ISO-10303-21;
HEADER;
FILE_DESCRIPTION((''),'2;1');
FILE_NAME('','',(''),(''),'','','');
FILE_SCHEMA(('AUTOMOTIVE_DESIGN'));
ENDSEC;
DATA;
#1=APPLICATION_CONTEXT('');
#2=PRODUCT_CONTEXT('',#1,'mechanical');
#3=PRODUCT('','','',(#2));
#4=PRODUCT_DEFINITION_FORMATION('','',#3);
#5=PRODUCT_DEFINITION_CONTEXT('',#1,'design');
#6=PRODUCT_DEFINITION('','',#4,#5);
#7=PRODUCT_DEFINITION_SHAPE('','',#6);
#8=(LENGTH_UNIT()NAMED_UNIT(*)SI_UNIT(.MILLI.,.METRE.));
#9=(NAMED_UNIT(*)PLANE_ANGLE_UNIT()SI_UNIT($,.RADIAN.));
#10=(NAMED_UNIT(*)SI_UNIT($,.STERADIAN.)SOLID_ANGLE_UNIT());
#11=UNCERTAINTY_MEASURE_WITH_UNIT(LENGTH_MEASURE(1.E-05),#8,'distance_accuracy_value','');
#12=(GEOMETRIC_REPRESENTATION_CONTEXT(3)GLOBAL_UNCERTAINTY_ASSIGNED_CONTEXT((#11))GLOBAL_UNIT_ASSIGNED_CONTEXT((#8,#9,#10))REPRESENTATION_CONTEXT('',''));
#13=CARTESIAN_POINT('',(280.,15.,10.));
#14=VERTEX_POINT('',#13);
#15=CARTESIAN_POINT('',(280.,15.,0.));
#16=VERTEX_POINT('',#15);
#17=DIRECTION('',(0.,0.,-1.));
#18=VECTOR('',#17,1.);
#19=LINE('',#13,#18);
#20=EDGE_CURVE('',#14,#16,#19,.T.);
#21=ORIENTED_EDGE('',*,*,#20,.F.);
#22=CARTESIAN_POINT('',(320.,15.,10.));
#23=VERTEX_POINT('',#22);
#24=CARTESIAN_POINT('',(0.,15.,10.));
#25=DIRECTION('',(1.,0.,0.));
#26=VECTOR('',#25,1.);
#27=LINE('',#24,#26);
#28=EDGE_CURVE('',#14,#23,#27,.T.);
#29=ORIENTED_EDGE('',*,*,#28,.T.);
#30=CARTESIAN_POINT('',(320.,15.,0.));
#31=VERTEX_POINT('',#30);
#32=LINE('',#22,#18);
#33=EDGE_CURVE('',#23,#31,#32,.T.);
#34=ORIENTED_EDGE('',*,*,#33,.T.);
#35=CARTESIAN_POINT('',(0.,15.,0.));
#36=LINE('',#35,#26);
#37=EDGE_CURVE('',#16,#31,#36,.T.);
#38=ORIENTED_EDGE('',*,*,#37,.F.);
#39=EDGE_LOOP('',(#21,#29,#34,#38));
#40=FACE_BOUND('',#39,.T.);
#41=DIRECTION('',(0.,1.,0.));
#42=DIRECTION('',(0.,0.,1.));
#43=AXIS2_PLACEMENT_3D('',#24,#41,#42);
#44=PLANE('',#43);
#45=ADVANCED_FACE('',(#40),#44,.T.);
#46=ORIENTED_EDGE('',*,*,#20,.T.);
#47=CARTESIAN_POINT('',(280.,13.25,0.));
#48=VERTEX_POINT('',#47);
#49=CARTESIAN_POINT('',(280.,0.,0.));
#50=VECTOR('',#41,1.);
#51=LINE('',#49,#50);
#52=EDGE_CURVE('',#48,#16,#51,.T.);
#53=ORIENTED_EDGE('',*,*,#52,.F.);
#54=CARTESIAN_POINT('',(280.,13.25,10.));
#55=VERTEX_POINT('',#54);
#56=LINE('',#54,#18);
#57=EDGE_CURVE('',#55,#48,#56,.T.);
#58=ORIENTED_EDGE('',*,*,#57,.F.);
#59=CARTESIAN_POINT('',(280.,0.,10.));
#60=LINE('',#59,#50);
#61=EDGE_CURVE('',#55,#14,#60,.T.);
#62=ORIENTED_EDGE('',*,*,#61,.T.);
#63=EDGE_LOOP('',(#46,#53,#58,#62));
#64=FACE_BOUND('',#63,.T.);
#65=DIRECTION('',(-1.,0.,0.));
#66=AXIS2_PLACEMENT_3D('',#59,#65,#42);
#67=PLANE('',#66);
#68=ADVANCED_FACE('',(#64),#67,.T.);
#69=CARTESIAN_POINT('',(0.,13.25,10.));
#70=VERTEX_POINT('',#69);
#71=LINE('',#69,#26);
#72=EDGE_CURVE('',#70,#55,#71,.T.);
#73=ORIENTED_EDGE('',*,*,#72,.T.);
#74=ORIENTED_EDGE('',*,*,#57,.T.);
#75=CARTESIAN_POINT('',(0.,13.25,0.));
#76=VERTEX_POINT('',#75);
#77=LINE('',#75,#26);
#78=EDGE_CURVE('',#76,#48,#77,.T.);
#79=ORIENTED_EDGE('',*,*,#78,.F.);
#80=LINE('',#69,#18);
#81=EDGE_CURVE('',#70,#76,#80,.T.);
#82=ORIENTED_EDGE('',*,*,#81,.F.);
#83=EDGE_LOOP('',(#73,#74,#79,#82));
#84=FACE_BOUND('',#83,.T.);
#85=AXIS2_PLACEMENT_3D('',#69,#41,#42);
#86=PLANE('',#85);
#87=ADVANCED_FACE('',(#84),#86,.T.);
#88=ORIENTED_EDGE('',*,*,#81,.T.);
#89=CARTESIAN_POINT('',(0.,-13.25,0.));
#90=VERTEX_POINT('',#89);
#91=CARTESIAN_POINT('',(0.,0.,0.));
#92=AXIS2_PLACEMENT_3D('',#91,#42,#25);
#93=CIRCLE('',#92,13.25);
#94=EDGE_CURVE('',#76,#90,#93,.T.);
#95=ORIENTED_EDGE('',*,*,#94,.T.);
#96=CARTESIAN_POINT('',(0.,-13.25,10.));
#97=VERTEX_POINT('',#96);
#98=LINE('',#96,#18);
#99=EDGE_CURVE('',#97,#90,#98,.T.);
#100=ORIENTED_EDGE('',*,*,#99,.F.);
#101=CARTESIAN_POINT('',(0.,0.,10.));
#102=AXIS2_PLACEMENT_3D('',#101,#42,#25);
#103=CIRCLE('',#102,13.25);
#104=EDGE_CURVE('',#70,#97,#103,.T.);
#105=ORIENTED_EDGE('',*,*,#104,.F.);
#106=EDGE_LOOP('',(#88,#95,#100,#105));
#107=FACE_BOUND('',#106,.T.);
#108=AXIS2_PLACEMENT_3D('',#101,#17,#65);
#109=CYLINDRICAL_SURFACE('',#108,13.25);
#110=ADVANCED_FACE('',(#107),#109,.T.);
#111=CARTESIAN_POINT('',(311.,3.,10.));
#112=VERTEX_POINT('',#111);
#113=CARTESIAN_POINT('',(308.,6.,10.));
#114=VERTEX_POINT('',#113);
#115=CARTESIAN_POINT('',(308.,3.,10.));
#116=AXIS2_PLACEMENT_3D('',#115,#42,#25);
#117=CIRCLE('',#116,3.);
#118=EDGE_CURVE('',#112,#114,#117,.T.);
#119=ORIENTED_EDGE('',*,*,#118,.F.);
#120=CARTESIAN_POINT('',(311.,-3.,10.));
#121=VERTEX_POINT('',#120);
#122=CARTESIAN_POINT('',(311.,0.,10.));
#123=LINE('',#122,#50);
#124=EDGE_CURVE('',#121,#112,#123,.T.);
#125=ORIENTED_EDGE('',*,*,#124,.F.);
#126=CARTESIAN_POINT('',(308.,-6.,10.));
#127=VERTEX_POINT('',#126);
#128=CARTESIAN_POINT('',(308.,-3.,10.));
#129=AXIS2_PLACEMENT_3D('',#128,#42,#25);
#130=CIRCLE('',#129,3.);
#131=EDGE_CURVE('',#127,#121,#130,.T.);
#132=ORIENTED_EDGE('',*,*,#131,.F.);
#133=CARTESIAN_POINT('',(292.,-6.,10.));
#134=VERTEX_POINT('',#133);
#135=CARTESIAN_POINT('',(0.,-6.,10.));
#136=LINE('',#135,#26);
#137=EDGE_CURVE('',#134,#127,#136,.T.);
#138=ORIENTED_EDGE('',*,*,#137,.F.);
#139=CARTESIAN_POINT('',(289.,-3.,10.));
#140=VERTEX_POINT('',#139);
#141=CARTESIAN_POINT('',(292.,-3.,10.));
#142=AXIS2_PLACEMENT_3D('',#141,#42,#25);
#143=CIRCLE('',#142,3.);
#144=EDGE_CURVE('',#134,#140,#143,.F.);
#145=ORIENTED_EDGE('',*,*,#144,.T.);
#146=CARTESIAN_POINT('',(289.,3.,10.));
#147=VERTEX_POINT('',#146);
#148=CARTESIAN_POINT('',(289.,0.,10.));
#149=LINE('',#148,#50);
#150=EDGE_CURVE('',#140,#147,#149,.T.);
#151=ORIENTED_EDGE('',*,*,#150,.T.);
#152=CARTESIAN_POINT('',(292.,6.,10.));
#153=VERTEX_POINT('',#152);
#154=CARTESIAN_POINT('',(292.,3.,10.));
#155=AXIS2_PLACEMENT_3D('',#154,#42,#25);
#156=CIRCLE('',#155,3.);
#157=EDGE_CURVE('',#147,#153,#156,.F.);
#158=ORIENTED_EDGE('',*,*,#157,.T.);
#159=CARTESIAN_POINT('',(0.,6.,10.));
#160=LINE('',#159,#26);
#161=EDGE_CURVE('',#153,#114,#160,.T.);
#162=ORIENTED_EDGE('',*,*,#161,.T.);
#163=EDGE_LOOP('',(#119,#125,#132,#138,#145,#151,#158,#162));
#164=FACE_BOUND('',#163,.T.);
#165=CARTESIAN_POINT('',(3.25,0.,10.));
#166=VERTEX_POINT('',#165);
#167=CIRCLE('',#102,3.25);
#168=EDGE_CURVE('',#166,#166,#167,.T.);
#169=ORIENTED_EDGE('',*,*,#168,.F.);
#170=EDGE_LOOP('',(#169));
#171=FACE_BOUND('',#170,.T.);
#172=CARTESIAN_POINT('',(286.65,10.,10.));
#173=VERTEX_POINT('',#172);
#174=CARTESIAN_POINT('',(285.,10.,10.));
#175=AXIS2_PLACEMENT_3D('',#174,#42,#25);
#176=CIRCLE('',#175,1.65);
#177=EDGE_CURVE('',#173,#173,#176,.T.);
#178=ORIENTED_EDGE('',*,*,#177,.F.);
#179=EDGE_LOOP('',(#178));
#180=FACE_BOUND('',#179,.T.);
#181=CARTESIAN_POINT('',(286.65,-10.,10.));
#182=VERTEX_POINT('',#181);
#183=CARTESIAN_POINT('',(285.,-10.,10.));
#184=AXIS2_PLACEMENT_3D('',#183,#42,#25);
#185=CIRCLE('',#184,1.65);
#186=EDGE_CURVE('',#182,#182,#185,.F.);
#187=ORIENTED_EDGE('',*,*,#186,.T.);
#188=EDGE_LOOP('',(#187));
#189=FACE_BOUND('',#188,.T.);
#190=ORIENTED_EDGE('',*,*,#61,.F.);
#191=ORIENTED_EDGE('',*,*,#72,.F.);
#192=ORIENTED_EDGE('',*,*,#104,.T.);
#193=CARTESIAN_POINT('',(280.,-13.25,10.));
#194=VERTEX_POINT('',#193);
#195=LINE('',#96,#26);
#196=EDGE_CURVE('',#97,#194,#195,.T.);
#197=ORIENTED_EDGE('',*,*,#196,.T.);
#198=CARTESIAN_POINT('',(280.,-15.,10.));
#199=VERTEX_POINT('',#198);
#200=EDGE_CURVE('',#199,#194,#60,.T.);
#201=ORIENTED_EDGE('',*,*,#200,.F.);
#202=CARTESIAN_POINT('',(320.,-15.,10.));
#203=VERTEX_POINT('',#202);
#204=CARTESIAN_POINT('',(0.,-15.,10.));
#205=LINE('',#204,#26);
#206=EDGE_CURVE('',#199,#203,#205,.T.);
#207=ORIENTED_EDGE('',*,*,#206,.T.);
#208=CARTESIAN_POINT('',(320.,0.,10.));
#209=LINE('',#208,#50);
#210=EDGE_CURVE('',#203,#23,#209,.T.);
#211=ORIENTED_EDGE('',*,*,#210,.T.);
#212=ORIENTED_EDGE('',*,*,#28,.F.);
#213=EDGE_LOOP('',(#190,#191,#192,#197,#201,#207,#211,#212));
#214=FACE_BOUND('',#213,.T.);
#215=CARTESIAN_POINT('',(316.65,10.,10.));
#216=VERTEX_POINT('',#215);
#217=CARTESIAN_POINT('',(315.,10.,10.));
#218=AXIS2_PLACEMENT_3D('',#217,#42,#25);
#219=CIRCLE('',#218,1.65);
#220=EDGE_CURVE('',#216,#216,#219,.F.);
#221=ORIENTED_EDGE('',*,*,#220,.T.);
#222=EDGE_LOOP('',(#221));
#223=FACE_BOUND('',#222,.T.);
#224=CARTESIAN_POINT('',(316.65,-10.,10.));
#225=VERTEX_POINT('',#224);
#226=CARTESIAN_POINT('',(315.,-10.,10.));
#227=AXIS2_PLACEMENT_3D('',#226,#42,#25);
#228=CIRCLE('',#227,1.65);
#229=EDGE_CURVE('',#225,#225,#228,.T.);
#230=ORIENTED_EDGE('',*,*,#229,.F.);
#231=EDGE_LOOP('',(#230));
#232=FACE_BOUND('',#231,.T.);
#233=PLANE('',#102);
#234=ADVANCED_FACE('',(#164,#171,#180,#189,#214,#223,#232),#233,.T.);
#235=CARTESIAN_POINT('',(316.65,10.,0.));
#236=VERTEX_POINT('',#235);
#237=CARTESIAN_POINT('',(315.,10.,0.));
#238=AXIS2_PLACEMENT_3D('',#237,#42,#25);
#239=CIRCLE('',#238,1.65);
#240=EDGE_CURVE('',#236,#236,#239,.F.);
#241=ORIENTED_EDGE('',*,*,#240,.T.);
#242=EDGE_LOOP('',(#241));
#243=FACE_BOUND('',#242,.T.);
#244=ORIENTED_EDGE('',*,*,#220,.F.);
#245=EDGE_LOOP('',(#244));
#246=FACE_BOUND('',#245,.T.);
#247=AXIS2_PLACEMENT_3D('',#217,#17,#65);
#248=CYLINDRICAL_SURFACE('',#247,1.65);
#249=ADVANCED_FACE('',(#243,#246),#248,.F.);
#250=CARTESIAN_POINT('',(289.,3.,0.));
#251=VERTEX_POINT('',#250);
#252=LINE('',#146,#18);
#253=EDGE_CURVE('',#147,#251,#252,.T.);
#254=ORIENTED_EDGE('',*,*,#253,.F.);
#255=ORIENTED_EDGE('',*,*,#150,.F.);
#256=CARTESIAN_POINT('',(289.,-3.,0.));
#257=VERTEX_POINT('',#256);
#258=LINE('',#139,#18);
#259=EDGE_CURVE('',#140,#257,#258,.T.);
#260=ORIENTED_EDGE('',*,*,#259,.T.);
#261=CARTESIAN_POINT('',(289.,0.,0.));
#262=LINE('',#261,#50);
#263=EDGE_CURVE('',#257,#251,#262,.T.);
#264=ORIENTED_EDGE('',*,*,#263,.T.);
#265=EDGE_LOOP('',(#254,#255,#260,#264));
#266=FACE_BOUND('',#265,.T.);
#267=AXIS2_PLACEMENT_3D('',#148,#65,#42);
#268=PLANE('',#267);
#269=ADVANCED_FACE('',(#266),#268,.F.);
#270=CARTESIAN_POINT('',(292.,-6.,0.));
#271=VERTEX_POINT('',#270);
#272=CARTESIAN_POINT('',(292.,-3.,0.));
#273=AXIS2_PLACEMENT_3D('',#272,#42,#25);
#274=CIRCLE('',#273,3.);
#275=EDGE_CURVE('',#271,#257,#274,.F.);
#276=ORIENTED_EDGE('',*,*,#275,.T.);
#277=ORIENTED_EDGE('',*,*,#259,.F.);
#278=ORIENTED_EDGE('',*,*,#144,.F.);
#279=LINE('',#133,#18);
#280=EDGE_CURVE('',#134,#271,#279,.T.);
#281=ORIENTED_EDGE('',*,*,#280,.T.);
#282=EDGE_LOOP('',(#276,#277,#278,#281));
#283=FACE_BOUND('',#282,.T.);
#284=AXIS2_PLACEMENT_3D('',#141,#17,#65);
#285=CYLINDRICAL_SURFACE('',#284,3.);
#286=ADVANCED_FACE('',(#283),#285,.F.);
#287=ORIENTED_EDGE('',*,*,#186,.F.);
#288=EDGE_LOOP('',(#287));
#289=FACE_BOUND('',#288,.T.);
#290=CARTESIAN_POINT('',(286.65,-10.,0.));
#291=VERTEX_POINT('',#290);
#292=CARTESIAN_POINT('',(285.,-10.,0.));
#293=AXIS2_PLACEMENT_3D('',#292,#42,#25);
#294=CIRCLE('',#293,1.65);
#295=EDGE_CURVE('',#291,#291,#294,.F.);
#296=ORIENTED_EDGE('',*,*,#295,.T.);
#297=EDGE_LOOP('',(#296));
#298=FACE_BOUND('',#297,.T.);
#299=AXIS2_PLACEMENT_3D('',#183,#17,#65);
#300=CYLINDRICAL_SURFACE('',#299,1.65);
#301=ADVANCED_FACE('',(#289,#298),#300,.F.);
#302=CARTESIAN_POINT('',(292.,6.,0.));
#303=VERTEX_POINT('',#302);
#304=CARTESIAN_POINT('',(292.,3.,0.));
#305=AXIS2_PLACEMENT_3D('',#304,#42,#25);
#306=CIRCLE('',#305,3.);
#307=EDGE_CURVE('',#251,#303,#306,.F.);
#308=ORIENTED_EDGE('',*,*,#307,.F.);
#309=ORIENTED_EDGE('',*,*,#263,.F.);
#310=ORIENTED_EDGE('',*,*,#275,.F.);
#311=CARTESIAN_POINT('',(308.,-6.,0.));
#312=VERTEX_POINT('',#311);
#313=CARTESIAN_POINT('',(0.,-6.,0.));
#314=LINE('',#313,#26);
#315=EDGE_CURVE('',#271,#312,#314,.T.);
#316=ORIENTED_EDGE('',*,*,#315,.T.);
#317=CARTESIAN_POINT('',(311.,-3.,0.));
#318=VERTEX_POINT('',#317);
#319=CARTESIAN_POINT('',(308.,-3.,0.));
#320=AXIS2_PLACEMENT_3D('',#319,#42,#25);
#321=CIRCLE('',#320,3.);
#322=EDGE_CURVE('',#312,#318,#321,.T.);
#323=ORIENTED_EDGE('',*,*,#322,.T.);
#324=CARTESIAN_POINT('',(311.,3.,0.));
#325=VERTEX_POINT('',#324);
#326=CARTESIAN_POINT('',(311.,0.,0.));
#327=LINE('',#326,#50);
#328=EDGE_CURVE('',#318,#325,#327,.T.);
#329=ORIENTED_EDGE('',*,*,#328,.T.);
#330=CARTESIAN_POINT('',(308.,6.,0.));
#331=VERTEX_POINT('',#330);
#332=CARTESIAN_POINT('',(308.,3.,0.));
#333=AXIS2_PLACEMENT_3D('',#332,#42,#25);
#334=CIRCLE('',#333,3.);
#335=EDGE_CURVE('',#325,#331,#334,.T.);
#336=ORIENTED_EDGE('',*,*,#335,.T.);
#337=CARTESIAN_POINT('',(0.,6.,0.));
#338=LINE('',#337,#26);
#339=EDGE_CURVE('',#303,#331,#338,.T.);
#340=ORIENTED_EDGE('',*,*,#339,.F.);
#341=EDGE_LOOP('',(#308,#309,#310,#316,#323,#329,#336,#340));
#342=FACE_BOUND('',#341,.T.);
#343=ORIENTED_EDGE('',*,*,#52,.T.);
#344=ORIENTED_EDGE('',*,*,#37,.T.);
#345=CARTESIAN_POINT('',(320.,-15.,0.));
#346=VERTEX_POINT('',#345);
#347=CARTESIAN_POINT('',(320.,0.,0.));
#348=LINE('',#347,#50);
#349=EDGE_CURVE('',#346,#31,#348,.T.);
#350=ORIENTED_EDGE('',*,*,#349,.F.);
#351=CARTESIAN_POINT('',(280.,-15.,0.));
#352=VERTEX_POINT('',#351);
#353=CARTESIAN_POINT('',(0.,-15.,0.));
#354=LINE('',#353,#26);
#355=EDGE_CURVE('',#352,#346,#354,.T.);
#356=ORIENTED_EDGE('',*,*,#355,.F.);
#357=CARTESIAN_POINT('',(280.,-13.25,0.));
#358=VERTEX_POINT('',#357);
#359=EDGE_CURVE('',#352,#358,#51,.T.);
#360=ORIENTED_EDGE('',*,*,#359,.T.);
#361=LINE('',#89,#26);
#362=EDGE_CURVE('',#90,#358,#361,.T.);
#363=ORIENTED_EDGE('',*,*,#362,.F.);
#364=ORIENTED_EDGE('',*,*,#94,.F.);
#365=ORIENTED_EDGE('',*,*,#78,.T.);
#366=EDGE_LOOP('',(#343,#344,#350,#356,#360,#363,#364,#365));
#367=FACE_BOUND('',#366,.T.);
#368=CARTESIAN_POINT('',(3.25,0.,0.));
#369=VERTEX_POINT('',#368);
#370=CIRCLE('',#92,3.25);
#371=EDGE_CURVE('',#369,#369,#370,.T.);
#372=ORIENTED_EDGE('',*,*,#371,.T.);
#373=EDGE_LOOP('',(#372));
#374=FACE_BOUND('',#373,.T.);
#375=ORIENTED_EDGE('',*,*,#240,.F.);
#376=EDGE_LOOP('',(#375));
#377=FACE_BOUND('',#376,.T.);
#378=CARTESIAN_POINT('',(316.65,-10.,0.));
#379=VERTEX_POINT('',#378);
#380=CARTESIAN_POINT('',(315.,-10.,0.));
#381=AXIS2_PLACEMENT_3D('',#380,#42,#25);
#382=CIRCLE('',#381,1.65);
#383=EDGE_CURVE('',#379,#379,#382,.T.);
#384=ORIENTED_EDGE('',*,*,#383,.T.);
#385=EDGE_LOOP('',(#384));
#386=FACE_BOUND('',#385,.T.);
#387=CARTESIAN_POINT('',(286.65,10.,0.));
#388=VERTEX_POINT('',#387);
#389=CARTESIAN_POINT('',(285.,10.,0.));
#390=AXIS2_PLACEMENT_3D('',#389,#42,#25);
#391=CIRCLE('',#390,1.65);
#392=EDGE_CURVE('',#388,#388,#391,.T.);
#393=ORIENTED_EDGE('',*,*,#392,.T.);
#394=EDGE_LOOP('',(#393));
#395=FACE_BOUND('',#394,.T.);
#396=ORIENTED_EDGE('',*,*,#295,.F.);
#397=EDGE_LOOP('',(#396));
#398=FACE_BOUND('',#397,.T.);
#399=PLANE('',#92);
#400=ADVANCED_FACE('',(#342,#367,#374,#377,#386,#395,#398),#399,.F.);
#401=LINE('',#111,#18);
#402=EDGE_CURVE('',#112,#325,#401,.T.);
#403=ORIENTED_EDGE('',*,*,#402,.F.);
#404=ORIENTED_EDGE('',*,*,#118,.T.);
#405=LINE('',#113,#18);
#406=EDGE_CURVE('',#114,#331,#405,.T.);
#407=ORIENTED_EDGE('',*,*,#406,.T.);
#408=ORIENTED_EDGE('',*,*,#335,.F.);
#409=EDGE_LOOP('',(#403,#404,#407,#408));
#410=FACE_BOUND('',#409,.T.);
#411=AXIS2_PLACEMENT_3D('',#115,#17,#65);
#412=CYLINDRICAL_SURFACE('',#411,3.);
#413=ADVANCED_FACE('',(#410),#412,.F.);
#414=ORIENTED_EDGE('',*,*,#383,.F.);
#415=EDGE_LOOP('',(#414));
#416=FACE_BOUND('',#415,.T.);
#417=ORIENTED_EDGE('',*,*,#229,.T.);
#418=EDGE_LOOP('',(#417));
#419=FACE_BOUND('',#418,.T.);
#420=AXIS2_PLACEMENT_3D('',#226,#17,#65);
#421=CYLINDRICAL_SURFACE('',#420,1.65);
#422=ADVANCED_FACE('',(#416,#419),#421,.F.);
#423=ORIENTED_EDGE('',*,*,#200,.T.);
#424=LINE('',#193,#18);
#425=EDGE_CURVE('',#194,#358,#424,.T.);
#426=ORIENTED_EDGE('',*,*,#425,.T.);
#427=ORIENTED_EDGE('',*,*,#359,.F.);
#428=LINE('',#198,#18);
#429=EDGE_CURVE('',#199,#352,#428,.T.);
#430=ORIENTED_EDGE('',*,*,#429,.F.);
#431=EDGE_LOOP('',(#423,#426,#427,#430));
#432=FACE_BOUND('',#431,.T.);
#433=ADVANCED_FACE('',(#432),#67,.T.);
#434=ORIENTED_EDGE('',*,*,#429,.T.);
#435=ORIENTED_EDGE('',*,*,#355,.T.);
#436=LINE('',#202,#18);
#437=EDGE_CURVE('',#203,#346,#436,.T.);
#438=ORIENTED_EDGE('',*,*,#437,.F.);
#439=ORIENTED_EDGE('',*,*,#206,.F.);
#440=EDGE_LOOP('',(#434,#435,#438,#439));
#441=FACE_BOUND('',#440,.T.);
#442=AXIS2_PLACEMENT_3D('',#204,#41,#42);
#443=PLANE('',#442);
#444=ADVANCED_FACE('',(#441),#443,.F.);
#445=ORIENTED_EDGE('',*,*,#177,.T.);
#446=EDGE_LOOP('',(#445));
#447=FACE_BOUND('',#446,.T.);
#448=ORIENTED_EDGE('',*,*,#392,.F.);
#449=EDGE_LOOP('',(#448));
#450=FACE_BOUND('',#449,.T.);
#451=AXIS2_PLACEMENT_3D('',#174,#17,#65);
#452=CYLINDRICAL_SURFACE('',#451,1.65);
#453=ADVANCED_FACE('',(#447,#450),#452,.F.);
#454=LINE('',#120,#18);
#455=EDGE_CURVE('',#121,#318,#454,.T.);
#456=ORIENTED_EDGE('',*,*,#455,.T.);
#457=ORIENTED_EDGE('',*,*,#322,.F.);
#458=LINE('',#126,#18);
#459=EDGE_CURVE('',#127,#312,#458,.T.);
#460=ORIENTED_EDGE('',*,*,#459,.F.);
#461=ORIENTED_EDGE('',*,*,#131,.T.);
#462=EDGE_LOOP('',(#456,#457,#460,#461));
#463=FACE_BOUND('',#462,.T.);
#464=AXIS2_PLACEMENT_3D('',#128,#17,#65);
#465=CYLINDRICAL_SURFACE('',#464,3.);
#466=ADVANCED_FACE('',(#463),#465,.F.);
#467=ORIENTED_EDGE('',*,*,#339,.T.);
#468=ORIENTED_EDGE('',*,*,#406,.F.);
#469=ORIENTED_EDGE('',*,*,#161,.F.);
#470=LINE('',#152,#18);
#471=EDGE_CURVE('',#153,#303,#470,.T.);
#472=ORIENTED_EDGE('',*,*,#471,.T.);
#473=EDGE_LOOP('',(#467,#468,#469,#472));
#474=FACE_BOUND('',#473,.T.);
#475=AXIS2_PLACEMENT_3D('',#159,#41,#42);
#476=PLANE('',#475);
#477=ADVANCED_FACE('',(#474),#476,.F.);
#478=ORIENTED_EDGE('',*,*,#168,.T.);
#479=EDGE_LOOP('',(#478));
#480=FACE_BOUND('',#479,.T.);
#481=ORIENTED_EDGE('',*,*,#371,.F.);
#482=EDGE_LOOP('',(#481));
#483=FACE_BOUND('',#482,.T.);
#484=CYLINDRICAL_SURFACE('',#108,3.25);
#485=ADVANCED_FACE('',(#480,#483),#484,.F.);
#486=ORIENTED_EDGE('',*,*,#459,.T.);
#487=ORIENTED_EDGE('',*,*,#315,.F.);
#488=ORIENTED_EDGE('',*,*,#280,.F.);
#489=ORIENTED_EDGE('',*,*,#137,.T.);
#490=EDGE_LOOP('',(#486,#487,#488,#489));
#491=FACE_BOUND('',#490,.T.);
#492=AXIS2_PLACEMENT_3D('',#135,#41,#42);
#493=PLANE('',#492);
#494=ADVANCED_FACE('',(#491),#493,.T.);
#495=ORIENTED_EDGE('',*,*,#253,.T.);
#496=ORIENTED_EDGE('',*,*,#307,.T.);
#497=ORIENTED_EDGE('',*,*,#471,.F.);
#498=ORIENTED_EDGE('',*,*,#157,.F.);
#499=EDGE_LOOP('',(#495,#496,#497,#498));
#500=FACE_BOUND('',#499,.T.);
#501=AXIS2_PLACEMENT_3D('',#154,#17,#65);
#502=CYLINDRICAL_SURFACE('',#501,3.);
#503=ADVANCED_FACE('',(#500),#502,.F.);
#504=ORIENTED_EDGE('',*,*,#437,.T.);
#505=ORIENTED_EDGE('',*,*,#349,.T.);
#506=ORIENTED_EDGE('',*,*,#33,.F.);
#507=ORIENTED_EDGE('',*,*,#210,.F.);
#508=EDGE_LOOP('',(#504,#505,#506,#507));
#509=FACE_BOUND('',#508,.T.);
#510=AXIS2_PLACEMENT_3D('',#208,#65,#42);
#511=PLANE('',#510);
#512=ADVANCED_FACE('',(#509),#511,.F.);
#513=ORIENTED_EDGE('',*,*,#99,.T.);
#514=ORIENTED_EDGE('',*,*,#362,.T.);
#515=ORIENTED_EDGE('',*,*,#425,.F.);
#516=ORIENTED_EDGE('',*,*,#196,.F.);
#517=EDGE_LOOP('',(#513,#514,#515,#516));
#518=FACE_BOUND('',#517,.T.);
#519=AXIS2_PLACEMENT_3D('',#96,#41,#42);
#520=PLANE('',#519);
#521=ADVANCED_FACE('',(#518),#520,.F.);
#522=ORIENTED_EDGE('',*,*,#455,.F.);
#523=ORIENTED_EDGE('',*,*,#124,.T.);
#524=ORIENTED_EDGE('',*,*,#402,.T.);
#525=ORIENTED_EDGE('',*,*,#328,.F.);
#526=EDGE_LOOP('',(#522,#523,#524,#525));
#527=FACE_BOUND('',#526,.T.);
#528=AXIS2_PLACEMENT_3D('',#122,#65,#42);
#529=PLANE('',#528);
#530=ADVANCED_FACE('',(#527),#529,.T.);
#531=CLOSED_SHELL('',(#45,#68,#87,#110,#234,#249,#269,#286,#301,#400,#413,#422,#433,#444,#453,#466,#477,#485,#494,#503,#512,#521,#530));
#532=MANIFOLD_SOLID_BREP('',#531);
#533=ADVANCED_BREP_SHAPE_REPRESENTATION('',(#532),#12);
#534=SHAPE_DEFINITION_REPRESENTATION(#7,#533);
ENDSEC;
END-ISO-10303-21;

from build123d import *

# Parameters (mm, degrees)
SKETCH1_R      = 3.25
SKETCH1_R_2    = 1.65
MAIN_ARM_DEPTH = 10


with BuildPart() as part:
    # Sketch1 → Main Arm (new body)
    with BuildSketch(Plane.XY):
        with BuildLine():
            Line((280, 13.25), (0, 13.25))
            ThreePointArc((0, 13.25), (-13.25, 0), (0, -13.25))
            Line((0, -13.25), (280, -13.25))
            Line((280, -13.25), (280, -15))
            Line((280, -15), (320, -15))
            Line((320, -15), (320, 15))
            Line((320, 15), (280, 15))
            Line((280, 15), (280, 13.25))
        make_face()
        Circle(SKETCH1_R, mode=Mode.SUBTRACT)
        with Locations((285, 10)):
            Circle(SKETCH1_R_2, mode=Mode.SUBTRACT)
        with Locations((285, -10)):
            Circle(SKETCH1_R_2, mode=Mode.SUBTRACT)
        with BuildLine():
            Line((308, -6), (292, -6))
            ThreePointArc((292, -6), (289.878679656, -5.121320344), (289, -3))
            Line((289, -3), (289, 3))
            ThreePointArc((289, 3), (289.878679656, 5.121320344), (292, 6))
            Line((292, 6), (308, 6))
            ThreePointArc((308, 6), (310.121320344, 5.121320344), (311, 3))
            Line((311, 3), (311, -3))
            ThreePointArc((311, -3), (310.121320344, -5.121320344), (308, -6))
        make_face(mode=Mode.SUBTRACT)
        with Locations((315, 10)):
            Circle(SKETCH1_R_2, mode=Mode.SUBTRACT)
        with Locations((315, -10)):
            Circle(SKETCH1_R_2, mode=Mode.SUBTRACT)
    extrude(amount=MAIN_ARM_DEPTH)


solid = part.part
